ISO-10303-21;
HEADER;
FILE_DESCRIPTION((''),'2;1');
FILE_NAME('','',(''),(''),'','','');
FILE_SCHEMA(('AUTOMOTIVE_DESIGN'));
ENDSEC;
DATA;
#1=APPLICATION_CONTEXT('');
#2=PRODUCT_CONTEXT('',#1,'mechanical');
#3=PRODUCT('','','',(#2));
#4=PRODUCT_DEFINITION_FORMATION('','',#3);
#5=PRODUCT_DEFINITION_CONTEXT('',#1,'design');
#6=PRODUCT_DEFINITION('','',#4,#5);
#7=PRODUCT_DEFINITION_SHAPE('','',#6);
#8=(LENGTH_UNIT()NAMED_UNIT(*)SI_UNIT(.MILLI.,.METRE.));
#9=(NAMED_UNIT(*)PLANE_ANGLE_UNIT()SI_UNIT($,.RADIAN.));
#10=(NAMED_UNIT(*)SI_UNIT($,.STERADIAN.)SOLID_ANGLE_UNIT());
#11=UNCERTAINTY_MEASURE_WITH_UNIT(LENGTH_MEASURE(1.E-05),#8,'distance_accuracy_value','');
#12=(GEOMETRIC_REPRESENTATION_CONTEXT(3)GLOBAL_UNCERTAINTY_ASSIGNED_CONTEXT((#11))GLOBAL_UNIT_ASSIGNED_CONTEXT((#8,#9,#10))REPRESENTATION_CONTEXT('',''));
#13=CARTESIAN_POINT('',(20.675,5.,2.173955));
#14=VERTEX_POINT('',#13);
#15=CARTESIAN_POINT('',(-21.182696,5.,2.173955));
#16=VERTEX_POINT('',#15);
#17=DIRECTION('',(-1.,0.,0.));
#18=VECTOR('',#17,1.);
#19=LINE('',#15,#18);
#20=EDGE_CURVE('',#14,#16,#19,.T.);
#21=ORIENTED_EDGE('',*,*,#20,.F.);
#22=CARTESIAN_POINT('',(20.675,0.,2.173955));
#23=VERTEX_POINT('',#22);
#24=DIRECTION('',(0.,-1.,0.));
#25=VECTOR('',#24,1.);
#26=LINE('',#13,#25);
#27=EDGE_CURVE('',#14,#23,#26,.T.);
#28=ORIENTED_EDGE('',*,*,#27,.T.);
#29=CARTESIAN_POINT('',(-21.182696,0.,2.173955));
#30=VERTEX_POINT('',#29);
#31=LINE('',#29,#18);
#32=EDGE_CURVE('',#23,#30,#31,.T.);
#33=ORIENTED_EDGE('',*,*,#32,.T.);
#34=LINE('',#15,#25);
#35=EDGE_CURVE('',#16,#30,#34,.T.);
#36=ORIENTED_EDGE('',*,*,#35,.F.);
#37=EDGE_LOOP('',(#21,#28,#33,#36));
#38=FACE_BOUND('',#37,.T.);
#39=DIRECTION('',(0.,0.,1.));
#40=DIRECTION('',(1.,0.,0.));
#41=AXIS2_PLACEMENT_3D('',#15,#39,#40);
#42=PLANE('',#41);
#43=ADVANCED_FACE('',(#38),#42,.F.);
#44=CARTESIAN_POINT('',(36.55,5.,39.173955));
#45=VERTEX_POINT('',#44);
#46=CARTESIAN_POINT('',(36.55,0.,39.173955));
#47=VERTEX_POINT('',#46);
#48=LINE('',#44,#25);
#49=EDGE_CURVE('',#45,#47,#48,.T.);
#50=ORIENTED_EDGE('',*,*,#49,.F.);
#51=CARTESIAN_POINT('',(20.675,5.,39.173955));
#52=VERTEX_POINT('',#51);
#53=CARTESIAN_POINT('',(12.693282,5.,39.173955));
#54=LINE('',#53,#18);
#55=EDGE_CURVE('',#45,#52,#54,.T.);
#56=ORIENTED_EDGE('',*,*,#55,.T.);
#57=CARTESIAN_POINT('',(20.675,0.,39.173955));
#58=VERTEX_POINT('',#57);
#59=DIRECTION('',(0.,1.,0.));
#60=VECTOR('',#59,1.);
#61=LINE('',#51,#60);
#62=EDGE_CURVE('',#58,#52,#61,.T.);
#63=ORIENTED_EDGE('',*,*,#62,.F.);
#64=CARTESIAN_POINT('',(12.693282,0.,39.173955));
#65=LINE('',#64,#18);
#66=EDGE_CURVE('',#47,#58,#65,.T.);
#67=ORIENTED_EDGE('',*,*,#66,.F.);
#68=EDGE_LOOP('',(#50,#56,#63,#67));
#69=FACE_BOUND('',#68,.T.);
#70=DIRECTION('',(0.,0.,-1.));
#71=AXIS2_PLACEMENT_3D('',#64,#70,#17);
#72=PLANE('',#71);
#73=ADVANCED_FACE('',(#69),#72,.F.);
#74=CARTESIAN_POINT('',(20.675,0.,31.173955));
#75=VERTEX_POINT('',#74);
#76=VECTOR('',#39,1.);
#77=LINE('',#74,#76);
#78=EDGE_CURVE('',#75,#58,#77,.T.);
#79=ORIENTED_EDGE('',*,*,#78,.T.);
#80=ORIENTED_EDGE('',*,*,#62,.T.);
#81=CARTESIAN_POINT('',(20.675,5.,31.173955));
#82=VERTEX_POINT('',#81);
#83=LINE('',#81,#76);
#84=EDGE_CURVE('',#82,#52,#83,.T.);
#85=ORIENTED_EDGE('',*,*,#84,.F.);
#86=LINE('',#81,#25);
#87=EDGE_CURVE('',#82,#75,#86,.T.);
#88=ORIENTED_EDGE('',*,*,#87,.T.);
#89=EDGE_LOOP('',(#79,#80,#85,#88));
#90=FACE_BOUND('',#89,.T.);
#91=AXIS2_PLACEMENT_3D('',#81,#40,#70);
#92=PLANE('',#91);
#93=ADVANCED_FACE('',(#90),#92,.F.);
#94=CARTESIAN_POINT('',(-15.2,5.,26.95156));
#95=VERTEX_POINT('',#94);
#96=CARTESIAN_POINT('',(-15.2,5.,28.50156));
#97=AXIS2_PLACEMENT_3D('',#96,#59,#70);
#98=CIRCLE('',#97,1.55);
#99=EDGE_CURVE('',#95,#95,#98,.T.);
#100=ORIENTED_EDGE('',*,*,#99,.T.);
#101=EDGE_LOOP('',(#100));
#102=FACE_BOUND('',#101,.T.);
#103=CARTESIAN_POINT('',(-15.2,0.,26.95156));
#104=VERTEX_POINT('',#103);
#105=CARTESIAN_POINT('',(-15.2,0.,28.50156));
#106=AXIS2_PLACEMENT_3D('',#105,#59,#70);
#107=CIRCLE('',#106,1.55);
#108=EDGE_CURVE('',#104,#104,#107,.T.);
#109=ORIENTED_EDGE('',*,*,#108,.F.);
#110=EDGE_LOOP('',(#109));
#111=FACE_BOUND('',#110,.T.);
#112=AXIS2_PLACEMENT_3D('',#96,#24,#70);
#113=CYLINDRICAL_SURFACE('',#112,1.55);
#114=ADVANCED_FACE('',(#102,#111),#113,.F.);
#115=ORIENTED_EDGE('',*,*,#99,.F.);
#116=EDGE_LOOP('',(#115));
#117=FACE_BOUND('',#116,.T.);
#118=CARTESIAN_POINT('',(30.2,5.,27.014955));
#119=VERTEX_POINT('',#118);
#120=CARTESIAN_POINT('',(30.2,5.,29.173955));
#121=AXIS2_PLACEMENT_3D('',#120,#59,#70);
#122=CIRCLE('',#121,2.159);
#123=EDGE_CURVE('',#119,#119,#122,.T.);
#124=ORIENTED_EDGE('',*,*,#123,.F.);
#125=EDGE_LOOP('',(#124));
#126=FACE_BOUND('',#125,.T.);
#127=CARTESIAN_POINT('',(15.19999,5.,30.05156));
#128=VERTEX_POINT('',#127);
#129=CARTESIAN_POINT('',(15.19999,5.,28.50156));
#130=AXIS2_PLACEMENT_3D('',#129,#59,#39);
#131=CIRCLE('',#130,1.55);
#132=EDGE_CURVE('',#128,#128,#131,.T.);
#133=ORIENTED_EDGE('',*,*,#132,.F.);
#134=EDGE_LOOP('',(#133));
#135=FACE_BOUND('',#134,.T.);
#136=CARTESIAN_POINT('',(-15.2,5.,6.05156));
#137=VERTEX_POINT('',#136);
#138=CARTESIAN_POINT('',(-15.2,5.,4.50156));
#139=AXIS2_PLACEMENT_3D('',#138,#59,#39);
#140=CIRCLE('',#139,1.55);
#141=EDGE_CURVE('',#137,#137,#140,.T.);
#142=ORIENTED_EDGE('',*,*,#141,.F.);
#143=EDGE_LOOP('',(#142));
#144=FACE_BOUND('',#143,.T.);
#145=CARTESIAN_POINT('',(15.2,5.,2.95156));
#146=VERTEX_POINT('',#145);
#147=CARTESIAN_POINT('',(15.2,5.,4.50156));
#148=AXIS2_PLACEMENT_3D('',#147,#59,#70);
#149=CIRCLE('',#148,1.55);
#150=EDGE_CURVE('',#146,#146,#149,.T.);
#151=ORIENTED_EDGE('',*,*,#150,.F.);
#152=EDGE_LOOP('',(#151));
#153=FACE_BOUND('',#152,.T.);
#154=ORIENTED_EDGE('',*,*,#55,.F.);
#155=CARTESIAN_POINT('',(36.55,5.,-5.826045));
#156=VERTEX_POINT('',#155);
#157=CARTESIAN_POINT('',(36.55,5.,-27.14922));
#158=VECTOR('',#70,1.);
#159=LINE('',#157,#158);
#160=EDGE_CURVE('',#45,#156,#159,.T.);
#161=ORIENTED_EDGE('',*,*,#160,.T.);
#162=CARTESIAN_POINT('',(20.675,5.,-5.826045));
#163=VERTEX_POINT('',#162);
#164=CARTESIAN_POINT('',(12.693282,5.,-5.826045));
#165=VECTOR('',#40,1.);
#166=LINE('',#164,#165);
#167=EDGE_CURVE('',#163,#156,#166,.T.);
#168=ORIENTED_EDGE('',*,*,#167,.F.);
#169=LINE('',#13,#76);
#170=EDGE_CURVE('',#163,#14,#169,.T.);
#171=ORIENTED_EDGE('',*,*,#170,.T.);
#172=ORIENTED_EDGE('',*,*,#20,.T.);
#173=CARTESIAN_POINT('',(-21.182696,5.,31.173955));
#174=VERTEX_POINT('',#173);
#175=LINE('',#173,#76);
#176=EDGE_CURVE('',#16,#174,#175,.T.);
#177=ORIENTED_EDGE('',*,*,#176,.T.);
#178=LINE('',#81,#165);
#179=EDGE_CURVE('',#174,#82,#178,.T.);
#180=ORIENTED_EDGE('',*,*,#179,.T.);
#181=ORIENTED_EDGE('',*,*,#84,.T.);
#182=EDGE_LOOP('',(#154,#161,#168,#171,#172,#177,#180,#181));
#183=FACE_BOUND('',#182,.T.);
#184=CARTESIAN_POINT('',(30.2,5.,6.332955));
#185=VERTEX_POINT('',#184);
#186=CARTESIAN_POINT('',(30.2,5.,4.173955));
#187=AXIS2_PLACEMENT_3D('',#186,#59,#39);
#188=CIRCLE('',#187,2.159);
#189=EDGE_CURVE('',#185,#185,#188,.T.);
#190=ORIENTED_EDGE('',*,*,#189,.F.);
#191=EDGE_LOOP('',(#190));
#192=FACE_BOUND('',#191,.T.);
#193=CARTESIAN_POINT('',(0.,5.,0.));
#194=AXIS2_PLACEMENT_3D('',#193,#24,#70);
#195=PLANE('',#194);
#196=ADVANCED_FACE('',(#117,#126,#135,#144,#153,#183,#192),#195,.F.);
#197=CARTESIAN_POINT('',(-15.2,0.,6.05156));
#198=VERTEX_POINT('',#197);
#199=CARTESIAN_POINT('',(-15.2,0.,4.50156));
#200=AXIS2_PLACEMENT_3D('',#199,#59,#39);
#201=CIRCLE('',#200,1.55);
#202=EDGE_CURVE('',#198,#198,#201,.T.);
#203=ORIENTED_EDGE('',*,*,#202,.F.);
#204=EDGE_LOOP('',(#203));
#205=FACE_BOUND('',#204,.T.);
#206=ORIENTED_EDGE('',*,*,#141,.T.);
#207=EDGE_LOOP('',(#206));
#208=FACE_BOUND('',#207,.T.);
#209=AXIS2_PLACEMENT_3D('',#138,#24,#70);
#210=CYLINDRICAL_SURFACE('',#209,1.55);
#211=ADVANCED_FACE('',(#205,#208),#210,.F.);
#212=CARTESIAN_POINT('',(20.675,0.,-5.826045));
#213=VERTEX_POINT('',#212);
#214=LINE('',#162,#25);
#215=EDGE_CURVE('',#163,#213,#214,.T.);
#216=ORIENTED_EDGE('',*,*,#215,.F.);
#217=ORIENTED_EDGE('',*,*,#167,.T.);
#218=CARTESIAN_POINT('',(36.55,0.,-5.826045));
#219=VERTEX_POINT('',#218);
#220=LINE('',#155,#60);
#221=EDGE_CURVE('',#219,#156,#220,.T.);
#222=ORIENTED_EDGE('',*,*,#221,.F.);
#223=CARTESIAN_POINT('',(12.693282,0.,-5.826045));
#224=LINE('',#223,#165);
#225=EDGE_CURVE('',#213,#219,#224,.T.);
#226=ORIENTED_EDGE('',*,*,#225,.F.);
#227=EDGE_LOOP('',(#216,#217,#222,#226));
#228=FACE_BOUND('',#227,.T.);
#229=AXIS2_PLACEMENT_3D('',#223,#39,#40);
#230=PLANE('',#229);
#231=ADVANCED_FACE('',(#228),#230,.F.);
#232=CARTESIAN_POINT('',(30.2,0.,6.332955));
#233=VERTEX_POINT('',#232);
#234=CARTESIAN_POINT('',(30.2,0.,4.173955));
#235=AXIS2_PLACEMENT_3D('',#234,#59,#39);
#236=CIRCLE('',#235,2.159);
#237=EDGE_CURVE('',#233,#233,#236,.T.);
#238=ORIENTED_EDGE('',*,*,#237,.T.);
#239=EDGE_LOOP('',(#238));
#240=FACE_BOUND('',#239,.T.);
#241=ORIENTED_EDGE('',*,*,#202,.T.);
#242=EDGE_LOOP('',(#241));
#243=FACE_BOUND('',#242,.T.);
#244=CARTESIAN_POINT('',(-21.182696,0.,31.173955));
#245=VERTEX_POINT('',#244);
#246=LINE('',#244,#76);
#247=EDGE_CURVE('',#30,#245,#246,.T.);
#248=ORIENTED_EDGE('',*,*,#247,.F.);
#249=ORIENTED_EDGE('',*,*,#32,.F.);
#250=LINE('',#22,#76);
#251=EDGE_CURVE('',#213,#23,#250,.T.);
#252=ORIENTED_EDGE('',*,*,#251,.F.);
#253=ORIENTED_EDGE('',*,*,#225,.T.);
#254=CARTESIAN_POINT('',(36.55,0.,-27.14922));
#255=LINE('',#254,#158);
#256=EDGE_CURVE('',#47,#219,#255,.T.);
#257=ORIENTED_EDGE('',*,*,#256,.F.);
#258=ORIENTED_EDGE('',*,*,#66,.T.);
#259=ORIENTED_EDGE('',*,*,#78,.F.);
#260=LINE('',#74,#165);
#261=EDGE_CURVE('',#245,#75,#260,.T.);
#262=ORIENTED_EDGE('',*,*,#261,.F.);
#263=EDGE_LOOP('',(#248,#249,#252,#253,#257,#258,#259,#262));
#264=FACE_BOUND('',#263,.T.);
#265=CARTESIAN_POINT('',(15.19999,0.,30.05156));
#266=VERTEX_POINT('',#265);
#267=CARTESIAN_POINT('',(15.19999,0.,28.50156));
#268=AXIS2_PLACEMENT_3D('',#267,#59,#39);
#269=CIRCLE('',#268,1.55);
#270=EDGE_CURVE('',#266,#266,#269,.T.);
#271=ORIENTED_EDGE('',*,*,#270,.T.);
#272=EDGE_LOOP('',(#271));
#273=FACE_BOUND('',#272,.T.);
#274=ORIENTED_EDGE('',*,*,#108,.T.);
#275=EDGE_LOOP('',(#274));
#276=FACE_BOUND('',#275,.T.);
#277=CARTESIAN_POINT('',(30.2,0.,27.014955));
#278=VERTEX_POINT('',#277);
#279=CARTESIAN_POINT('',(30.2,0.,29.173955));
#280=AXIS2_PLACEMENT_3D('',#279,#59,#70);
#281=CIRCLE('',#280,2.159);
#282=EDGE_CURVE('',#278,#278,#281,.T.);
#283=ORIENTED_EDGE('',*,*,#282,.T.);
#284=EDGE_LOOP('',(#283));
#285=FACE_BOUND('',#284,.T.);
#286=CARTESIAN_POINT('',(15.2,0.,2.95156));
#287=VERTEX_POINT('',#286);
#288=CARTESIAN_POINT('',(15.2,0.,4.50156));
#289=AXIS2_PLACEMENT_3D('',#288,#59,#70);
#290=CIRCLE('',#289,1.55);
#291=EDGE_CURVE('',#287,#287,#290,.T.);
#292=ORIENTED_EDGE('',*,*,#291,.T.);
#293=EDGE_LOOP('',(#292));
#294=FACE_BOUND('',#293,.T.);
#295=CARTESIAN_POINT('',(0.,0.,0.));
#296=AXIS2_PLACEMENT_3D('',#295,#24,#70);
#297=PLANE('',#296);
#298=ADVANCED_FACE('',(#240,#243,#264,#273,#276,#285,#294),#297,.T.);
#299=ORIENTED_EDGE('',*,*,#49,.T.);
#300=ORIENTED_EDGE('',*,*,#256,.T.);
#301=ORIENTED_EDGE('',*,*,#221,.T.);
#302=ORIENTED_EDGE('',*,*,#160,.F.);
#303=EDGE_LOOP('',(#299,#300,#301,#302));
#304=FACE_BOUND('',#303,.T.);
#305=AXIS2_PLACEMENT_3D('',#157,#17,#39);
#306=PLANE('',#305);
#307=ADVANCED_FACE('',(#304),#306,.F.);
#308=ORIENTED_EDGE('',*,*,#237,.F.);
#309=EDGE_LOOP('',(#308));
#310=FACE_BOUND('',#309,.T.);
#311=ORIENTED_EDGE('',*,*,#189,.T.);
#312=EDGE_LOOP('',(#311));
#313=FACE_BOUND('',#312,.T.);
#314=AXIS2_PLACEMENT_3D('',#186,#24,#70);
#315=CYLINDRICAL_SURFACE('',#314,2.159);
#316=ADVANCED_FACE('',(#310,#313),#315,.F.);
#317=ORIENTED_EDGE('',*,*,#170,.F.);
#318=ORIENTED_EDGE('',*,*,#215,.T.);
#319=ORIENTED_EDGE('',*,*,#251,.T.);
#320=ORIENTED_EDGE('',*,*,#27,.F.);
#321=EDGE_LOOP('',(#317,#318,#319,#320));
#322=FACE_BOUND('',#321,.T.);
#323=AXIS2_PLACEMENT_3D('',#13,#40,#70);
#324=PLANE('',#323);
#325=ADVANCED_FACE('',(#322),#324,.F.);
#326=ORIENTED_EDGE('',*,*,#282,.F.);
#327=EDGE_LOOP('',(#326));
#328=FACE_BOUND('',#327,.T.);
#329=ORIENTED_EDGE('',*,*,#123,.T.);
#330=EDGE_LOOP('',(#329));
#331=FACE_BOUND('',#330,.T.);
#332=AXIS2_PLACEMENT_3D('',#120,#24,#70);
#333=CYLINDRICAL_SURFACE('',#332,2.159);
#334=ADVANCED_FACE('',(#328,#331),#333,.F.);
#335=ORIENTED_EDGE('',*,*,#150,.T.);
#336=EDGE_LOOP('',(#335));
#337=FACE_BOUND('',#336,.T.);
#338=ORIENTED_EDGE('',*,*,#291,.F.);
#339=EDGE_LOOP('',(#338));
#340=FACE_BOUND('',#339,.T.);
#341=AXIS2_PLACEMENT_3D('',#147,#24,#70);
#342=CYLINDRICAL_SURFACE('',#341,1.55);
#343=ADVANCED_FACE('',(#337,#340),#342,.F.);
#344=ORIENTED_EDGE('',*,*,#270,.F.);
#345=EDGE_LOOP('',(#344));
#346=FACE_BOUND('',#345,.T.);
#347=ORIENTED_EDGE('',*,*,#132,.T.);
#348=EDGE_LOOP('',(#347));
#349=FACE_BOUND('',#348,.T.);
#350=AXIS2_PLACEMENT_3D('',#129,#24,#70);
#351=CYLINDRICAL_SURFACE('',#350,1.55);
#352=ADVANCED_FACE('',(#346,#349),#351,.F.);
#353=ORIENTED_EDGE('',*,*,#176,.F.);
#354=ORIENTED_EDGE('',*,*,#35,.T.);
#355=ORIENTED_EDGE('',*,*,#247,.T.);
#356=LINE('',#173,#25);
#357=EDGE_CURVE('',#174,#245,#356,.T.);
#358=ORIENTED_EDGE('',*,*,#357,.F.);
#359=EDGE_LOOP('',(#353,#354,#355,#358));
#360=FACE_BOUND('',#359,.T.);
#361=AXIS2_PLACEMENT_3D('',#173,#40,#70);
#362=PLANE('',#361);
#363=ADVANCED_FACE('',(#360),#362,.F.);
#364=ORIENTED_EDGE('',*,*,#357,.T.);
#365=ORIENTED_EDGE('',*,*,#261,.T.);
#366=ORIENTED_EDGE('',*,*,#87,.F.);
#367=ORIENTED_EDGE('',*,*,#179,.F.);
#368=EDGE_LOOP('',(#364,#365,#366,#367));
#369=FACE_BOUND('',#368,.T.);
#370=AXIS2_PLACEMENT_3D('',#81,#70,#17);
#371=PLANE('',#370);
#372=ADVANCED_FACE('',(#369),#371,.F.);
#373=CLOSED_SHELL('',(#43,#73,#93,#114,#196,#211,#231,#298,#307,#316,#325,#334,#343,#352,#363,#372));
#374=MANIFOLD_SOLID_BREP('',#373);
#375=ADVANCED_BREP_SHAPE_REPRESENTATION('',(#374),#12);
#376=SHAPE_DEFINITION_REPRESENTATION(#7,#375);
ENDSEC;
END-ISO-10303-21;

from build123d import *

# Parameters (mm, degrees)
SKETCH1_R           = 2.159
SKETCH1_R_2         = 1.55
BOSS_EXTRUDE1_DEPTH = 5
SKETCH2_W           = 32.727568347
SKETCH2_H           = 13.013122107
SKETCH2_W_2         = 39.41277834
SKETCH2_H_2         = 24.474392352
CUT_EXTRUDE1_DEPTH  = 58.151492497


with BuildPart() as part:
    # Sketch1 → Boss-Extrude1 (new body)
    with BuildSketch(Plane(origin=(0, 0, 0), x_dir=(1, 0, 0), z_dir=(0, 1, 0))):
        Polygon((36.55, 27.14922), (36.55, -43.65078), (20.675, -43.65078), (20.675, -31.173955128), (-21.18269604, -31.173955128), (-21.18269604, -2.173955128), (20.675, -2.173955128), (20.675, 27.14922), align=None)
        with Locations(Location((30.2, -29.173955128, 0), (0, 0, 90))):
            Circle(SKETCH1_R, mode=Mode.SUBTRACT)
        with Locations(Location((-15.2, -28.50156, 0), (0, 0, 90))):
            Circle(SKETCH1_R_2, mode=Mode.SUBTRACT)
        with Locations(Location((15.19999, -28.50156, 0), (0, 0, 270))):
            Circle(SKETCH1_R_2, mode=Mode.SUBTRACT)
        with Locations(Location((-15.2, -4.50156, 0), (0, 0, 270))):
            Circle(SKETCH1_R_2, mode=Mode.SUBTRACT)
        with Locations(Location((15.2, -4.50156, 0), (0, 0, 90))):
            Circle(SKETCH1_R_2, mode=Mode.SUBTRACT)
        with Locations(Location((30.2, -4.173955128, 0), (0, 0, 270))):
            Circle(SKETCH1_R, mode=Mode.SUBTRACT)
    extrude(amount=BOSS_EXTRUDE1_DEPTH)

    # Sketch2 → Cut-Extrude1 (cut, through all)
    with BuildSketch(Plane(origin=(0, 5, 0), x_dir=(1, 0, 0), z_dir=(0, 1, 0))):
        with Locations((29.057065878, -45.680516182)):
            Rectangle(SKETCH2_W, SKETCH2_H)
        with Locations((32.399670874, 18.063241048)):
            Rectangle(SKETCH2_W_2, SKETCH2_H_2)
    extrude(amount=-CUT_EXTRUDE1_DEPTH, mode=Mode.SUBTRACT)


solid = part.part
